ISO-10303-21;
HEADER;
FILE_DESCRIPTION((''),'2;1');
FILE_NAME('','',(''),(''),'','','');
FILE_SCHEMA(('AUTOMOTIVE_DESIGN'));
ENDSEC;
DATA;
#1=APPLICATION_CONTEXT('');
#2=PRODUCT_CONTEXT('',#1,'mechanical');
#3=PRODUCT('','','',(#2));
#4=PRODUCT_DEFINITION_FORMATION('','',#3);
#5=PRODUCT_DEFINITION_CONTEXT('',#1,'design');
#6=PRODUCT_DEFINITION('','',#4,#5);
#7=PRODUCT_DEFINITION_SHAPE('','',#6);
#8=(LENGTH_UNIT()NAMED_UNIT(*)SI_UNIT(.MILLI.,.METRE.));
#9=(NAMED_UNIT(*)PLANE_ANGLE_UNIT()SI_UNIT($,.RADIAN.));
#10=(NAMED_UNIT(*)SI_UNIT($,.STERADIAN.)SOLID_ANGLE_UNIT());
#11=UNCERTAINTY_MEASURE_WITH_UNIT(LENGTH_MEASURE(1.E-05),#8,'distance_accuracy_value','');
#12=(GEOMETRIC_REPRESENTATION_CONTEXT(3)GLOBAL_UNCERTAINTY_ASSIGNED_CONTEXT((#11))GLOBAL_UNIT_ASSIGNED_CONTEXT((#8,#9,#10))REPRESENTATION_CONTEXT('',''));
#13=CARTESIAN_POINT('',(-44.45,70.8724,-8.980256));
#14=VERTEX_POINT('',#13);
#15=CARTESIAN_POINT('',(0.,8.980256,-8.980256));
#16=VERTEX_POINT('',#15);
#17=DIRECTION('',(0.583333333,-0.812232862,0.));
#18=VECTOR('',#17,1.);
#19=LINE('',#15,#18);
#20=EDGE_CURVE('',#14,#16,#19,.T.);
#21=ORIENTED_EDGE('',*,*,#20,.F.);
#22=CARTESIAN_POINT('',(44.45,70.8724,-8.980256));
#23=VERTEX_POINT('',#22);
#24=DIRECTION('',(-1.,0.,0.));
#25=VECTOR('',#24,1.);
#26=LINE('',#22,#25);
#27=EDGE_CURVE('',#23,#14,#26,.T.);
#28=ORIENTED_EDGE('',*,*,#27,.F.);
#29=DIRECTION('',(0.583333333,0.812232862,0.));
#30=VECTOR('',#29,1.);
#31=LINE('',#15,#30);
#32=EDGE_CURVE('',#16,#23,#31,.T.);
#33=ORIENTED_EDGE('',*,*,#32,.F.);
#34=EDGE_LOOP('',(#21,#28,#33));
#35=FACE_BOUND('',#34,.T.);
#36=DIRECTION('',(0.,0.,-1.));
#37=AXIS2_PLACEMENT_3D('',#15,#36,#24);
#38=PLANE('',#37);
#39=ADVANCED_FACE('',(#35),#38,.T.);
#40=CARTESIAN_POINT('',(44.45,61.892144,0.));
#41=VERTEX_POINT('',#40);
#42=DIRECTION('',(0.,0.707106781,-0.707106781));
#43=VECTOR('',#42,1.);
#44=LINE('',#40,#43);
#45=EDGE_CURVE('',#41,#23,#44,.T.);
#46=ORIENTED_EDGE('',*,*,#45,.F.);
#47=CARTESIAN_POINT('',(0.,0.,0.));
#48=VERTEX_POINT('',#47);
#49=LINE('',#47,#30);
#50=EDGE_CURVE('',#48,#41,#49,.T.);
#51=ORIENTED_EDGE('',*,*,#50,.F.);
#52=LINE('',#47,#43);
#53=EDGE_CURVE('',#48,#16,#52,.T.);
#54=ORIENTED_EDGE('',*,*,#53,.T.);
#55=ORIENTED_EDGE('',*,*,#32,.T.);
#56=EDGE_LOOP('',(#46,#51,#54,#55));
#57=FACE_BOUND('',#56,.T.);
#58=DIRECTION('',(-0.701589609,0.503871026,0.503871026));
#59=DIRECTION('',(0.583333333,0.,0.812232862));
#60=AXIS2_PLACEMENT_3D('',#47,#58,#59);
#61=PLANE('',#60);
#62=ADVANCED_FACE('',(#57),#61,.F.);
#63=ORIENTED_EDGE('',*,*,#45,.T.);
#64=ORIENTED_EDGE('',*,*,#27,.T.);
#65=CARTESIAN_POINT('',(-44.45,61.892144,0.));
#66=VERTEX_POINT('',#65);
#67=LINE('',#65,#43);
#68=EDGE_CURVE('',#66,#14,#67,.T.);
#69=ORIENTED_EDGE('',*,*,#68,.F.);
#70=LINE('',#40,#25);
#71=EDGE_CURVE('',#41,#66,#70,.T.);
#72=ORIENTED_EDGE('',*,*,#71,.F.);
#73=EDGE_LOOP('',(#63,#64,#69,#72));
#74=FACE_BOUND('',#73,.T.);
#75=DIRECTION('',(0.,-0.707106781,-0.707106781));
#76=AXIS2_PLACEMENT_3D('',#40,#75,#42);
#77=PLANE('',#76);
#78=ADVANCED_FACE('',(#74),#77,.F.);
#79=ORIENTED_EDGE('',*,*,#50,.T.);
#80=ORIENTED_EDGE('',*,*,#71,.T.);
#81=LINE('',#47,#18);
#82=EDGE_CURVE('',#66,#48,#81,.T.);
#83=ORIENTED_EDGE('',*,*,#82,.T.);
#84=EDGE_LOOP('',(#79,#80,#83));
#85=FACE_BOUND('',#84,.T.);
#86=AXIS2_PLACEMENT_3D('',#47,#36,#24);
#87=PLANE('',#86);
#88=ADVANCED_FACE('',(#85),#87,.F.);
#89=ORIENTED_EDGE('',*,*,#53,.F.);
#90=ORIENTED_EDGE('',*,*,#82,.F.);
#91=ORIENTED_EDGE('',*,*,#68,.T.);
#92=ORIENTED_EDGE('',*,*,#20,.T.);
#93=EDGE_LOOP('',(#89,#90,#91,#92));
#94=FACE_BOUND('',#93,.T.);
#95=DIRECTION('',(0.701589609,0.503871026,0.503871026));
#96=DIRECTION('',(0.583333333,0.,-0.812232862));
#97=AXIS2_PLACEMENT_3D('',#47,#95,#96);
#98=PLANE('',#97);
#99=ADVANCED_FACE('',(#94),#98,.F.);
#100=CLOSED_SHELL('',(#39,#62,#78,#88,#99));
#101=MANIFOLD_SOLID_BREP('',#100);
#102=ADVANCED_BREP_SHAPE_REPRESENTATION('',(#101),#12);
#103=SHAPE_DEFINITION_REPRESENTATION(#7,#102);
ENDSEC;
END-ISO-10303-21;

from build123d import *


with BuildPart() as part:
    # Sweep1: sweep along a path in Sketch2
    with BuildLine(Plane(origin=(0, 0, 0), x_dir=(0, 0, -1), z_dir=(1, 0, 0))) as sweep1_path:
        Line((0, 0), (8.980256121, 8.980256121))
    # Sketch1 → Sweep1 (sweep)
    with BuildSketch(Plane.XY):
        Polygon((0, 0), (44.45, 61.89214409), (-44.45, 61.89214409), align=None)
    sweep(path=sweep1_path.line)


solid = part.part
